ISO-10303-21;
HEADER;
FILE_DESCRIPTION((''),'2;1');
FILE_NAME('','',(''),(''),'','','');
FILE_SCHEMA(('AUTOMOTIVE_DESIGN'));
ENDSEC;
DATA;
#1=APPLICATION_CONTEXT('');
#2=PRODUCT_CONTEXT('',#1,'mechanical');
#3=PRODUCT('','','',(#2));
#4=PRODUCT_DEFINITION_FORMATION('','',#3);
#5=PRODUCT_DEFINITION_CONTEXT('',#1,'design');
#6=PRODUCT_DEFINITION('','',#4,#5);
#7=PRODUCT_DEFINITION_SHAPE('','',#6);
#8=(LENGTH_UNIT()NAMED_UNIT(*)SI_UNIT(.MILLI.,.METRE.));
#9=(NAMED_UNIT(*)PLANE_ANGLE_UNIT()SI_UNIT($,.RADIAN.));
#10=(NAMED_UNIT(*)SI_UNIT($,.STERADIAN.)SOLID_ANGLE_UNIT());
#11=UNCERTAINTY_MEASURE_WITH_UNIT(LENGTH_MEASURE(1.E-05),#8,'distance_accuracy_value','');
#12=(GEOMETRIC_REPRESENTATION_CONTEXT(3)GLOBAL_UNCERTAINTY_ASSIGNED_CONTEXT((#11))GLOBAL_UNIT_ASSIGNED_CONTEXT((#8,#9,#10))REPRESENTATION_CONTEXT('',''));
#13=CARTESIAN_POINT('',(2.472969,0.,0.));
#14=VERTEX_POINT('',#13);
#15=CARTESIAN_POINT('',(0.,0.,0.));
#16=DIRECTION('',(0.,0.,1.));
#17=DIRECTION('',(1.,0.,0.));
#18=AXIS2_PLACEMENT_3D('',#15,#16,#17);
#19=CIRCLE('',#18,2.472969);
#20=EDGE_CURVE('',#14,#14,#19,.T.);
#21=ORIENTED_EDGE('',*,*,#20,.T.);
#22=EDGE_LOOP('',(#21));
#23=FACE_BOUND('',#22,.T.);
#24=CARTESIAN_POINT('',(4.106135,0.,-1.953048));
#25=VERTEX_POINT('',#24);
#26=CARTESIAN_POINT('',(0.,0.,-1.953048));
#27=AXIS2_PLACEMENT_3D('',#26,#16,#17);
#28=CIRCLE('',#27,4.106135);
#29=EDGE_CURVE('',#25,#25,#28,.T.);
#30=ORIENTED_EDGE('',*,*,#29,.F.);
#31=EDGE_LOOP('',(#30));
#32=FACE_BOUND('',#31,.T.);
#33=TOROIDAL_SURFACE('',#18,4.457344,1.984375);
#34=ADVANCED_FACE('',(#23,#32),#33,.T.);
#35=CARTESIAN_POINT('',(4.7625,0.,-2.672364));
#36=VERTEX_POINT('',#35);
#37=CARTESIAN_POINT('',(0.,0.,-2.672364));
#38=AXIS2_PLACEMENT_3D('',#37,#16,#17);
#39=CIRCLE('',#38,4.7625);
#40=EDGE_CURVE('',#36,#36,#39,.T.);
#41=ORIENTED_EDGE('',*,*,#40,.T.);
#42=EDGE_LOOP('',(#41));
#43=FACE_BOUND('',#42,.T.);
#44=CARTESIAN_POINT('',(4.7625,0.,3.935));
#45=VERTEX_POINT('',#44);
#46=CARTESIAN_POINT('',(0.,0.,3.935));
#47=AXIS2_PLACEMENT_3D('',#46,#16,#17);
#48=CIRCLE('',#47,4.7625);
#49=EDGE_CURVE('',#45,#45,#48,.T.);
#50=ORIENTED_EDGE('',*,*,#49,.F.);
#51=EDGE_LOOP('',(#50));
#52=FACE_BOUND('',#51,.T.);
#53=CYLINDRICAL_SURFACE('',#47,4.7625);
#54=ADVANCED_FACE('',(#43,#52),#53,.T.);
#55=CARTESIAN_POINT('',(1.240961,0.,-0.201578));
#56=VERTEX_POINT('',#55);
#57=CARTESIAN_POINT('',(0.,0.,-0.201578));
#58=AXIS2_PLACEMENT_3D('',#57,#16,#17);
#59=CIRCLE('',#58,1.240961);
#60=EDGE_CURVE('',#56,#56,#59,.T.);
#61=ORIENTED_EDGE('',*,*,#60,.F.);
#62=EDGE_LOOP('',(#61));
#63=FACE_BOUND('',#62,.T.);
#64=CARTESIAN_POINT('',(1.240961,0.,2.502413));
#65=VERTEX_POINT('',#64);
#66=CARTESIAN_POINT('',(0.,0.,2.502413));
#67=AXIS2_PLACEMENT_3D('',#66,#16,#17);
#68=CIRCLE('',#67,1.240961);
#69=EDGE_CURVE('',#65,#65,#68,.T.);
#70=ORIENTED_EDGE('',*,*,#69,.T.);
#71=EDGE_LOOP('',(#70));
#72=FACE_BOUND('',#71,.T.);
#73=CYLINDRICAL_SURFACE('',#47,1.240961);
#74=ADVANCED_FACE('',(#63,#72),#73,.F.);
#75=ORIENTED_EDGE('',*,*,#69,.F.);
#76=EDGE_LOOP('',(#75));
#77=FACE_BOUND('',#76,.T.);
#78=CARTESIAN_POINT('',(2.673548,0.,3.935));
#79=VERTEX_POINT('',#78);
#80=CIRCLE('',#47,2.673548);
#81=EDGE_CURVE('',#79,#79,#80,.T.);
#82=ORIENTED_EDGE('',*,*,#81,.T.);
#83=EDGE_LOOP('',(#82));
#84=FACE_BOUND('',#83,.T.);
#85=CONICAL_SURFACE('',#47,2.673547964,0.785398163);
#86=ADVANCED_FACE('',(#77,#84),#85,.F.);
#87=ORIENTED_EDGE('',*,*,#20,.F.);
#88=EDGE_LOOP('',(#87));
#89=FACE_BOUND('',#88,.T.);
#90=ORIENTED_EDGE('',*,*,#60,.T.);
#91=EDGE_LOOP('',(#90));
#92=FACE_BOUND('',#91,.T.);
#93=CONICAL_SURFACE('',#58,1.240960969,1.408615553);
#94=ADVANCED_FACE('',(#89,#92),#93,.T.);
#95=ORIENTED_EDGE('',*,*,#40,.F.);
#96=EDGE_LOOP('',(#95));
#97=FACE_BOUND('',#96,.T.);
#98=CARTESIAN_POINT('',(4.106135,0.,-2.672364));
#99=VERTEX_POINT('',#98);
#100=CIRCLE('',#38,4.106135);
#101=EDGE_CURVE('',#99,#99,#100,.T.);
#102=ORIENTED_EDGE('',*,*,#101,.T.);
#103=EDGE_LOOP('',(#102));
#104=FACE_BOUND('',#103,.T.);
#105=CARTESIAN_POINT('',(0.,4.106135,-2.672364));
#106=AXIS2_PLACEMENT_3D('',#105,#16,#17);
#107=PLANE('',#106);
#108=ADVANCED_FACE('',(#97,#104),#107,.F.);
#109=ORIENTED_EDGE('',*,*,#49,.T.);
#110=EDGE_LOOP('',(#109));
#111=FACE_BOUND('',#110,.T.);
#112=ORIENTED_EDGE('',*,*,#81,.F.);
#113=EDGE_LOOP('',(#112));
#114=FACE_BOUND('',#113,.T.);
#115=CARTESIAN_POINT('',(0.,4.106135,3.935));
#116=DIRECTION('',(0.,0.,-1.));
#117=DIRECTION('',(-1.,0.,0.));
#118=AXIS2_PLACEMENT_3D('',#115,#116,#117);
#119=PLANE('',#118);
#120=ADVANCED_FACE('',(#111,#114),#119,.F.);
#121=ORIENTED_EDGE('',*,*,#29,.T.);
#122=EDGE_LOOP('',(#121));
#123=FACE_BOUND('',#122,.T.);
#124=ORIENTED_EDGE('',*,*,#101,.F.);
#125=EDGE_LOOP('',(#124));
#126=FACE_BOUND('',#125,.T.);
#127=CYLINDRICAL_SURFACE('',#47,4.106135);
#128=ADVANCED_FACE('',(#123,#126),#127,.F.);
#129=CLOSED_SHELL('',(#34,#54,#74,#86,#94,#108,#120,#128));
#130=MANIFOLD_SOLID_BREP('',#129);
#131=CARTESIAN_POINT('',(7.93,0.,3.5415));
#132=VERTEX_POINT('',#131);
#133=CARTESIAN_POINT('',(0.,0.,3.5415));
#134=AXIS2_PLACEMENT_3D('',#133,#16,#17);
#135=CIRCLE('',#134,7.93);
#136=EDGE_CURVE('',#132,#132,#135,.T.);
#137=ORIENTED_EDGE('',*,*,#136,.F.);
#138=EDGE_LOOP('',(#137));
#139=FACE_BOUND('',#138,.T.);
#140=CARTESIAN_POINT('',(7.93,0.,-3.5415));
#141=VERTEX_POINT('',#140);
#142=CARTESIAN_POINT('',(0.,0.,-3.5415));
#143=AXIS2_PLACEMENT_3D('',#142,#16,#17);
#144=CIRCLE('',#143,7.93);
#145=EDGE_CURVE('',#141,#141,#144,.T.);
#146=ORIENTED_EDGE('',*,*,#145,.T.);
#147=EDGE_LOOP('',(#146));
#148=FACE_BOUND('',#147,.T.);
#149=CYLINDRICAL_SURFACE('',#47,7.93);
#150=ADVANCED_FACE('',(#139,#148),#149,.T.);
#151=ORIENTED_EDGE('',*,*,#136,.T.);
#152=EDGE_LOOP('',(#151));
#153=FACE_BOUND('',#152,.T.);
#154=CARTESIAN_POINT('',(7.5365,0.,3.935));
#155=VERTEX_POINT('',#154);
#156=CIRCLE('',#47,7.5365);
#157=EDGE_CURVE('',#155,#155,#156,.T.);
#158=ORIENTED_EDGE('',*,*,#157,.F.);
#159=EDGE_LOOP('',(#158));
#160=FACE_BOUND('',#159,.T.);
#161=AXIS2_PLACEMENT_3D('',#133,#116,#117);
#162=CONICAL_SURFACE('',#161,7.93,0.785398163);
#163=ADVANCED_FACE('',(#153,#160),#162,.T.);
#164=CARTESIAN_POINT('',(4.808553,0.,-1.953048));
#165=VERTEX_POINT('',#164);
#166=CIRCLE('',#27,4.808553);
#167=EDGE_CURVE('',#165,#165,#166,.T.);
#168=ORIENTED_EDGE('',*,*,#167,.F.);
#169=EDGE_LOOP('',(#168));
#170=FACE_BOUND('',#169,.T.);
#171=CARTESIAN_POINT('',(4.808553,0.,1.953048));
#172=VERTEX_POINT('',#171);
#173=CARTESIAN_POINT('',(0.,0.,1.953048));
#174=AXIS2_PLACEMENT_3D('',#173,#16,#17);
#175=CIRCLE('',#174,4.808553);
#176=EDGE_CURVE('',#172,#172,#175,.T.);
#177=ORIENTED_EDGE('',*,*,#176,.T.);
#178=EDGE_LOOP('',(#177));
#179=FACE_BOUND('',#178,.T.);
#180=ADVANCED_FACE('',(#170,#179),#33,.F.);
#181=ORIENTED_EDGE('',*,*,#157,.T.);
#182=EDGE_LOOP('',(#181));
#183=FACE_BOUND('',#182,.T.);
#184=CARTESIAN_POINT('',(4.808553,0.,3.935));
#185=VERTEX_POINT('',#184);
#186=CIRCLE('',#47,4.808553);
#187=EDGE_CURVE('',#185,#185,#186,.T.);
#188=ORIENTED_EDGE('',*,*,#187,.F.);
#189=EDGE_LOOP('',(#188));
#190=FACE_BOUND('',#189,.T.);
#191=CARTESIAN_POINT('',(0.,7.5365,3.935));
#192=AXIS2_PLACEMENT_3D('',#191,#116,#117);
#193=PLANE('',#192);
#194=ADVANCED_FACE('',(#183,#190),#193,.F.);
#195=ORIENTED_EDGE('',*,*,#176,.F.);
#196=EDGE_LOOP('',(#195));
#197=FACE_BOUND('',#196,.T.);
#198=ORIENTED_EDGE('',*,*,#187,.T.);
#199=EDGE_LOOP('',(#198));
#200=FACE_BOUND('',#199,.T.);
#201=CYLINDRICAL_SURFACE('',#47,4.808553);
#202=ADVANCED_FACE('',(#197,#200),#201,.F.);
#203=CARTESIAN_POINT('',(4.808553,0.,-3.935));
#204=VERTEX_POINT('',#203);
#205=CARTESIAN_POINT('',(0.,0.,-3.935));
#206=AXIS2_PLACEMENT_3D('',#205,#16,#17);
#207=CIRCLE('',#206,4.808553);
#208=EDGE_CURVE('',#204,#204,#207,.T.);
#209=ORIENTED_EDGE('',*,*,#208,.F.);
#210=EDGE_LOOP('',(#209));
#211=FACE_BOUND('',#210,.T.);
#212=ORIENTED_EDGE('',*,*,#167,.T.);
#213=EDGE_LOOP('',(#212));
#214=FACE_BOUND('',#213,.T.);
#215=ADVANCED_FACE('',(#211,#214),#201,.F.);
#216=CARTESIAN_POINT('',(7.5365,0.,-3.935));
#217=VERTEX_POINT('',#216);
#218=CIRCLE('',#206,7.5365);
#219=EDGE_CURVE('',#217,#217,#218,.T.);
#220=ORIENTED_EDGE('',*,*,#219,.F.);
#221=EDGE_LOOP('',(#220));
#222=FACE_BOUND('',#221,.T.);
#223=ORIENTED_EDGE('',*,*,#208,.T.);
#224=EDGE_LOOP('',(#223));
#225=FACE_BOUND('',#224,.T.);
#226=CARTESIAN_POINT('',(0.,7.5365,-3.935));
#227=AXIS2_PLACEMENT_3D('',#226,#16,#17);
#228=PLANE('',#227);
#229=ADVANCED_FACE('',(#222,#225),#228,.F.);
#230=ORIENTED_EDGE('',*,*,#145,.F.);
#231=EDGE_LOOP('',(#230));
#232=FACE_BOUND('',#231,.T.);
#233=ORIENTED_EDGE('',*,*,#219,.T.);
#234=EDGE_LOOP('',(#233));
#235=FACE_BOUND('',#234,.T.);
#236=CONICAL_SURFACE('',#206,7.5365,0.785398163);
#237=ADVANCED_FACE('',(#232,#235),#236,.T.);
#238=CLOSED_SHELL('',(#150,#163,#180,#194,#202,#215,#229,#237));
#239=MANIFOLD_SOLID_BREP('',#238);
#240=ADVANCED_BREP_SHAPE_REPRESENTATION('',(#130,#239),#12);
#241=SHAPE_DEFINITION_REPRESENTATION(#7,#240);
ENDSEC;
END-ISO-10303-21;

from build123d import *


with BuildPart() as part:
    # Sketch1 → Revolve1 (revolve)
    with BuildSketch(Plane(origin=(0, 0, 0), x_dir=(0, 0, -1), z_dir=(1, 0, 0))):
        with BuildLine():
            Line((3.5415, 7.93), (-3.5415, 7.93))
            Line((-3.5415, 7.93), (-3.935, 7.5365))
            Line((-3.935, 7.5365), (-3.935, 4.808552541))
            Line((-3.935, 4.808552541), (-1.953048009, 4.808552541))
            ThreePointArc((-1.953048009, 4.808552541), (0, 6.44171875), (1.953048009, 4.808552541))
            Line((1.953048009, 4.808552541), (3.935, 4.808552541))
            Line((3.935, 4.808552541), (3.935, 7.5365))
            Line((3.935, 7.5365), (3.5415, 7.93))
        make_face()
    revolve(axis=Axis((0, 0, 3.935), (0, 0, -1)))


with BuildPart() as body_2:
    # Sketch2 → Revolve2 (revolve)
    with BuildSketch(Plane(origin=(0, 0, 0), x_dir=(0, 0, -1), z_dir=(1, 0, 0))):
        with BuildLine():
            Line((-3.935, 4.106134959), (-1.953048009, 4.106134959))
            ThreePointArc((-1.953048009, 4.106134959), (-1.272952119, 2.935063538), (0, 2.47296875))
            Line((0, 2.47296875), (0.201578428, 1.240960969))
            Line((0.201578428, 1.240960969), (-2.502413005, 1.240960969))
            Line((-2.502413005, 1.240960969), (-3.935, 2.673547964))
            Line((-3.935, 2.673547964), (-3.935, 4.106134959))
        make_face()
    revolve(axis=Axis((0, 0, 3.935), (0, 0, -1)))

    # Sketch3 → Revolve3 (revolve)
    with BuildSketch(Plane(origin=(0, 0, 0), x_dir=(0, 0, -1), z_dir=(1, 0, 0))):
        with BuildLine():
            Line((-3.935, 2.673547964), (-2.502413005, 1.240960969))
            Line((-2.502413005, 1.240960969), (0, 1.240960969))
            Line((0, 1.240960969), (0, 2.47296875))
            ThreePointArc((0, 2.47296875), (1.272952119, 2.935063538), (1.953048009, 4.106134959))
            Line((1.953048009, 4.106134959), (2.672363855, 4.106134959))
            Line((2.672363855, 4.106134959), (2.672363855, 4.7625))
            Line((2.672363855, 4.7625), (-3.935, 4.7625))
            Line((-3.935, 4.7625), (-3.935, 2.673547964))
        make_face()
    revolve(axis=Axis((0, 0, 3.935), (0, 0, -1)))


solid = Compound([part.part, body_2.part])
